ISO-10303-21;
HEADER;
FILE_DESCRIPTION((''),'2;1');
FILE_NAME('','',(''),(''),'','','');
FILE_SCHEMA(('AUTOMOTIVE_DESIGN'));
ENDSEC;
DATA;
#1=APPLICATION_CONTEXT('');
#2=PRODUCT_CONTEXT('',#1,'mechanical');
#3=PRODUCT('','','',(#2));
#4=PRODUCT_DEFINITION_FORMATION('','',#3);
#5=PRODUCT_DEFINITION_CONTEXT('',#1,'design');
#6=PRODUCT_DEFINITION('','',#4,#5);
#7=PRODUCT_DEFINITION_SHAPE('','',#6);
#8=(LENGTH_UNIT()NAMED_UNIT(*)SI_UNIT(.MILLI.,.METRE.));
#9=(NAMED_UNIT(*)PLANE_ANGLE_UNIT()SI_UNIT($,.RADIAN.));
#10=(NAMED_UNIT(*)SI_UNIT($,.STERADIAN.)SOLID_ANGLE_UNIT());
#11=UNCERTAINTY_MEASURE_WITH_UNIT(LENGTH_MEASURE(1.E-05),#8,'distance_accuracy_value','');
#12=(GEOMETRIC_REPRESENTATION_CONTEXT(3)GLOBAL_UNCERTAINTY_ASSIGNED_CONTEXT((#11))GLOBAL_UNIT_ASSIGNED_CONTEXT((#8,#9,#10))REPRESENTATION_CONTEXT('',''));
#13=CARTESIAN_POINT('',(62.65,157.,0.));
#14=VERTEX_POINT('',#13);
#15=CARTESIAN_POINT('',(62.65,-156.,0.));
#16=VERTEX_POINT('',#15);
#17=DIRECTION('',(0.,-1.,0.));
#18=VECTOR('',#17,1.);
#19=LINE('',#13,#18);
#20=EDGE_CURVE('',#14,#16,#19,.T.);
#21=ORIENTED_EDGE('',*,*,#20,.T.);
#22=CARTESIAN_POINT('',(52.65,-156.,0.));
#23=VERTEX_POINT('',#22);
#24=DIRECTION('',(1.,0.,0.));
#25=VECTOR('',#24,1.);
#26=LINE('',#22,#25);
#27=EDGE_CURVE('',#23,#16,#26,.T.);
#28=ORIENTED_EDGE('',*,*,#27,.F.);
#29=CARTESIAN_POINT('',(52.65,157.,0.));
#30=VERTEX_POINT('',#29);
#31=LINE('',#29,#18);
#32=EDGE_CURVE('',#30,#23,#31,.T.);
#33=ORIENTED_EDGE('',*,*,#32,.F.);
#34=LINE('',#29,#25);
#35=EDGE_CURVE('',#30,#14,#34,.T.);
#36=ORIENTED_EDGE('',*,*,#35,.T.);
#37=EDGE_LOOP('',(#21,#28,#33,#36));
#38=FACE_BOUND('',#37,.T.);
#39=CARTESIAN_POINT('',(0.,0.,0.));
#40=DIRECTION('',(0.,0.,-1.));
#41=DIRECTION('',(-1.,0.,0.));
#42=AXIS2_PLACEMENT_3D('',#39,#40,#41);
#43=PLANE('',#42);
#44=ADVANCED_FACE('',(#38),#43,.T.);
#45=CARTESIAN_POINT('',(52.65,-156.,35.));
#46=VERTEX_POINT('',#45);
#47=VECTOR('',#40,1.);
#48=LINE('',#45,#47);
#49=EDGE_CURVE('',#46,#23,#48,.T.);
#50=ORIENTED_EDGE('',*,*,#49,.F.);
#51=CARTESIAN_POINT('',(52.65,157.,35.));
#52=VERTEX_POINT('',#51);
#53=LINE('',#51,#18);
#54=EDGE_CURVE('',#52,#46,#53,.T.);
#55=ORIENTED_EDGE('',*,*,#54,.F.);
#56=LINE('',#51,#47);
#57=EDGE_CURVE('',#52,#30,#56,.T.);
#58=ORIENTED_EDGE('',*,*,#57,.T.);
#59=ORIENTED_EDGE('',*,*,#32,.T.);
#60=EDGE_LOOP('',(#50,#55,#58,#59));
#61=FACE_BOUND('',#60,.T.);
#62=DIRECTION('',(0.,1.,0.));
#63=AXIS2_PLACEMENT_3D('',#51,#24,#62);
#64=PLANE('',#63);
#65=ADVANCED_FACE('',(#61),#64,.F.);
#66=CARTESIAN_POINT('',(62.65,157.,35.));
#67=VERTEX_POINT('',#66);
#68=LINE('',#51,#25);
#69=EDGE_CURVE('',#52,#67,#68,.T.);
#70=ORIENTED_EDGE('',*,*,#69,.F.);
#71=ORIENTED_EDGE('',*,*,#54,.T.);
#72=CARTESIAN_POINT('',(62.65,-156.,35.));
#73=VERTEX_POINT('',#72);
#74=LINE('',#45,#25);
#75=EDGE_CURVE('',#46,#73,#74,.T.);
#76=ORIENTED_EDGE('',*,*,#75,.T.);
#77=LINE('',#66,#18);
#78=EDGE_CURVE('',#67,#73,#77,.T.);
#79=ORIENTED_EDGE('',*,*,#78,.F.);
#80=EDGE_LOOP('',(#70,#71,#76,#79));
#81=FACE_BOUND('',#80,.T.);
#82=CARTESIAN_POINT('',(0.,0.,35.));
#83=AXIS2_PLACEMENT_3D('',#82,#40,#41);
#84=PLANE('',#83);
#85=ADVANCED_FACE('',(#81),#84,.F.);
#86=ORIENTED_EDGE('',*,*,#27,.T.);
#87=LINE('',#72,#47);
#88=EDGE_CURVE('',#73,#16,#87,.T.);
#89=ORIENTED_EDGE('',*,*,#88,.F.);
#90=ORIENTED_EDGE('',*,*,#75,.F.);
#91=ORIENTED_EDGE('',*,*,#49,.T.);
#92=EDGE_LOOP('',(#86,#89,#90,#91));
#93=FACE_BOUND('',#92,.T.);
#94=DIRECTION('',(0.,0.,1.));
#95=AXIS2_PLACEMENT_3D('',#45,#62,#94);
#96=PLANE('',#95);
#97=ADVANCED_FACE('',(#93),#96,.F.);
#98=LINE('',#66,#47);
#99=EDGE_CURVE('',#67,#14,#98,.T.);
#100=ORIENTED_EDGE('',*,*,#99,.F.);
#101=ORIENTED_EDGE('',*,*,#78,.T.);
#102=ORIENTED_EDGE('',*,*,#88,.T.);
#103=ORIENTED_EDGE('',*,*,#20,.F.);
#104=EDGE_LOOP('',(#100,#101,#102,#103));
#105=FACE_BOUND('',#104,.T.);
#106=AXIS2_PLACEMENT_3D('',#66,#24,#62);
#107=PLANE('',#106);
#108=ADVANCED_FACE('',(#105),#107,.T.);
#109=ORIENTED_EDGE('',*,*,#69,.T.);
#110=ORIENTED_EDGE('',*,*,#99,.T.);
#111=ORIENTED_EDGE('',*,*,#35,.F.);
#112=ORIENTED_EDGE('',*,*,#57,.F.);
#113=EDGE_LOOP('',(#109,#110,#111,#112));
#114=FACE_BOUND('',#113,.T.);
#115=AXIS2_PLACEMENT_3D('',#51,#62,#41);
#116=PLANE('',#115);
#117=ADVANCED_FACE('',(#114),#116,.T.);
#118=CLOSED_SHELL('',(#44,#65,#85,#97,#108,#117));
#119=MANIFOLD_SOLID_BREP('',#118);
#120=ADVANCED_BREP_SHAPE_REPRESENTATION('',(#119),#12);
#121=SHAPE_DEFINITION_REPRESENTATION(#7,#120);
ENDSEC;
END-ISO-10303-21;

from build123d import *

# Parameters (mm, degrees)
ESQUISSE1_W        = 10
ESQUISSE1_H        = 313
BOSS_EXTRU_1_DEPTH = 35


with BuildPart() as part:
    # Esquisse1 → Boss.-Extru.1 (new body)
    with BuildSketch(Plane.XY):
        with Locations((57.65, 0.5)):
            Rectangle(ESQUISSE1_W, ESQUISSE1_H)
    extrude(amount=BOSS_EXTRU_1_DEPTH)


solid = part.part
